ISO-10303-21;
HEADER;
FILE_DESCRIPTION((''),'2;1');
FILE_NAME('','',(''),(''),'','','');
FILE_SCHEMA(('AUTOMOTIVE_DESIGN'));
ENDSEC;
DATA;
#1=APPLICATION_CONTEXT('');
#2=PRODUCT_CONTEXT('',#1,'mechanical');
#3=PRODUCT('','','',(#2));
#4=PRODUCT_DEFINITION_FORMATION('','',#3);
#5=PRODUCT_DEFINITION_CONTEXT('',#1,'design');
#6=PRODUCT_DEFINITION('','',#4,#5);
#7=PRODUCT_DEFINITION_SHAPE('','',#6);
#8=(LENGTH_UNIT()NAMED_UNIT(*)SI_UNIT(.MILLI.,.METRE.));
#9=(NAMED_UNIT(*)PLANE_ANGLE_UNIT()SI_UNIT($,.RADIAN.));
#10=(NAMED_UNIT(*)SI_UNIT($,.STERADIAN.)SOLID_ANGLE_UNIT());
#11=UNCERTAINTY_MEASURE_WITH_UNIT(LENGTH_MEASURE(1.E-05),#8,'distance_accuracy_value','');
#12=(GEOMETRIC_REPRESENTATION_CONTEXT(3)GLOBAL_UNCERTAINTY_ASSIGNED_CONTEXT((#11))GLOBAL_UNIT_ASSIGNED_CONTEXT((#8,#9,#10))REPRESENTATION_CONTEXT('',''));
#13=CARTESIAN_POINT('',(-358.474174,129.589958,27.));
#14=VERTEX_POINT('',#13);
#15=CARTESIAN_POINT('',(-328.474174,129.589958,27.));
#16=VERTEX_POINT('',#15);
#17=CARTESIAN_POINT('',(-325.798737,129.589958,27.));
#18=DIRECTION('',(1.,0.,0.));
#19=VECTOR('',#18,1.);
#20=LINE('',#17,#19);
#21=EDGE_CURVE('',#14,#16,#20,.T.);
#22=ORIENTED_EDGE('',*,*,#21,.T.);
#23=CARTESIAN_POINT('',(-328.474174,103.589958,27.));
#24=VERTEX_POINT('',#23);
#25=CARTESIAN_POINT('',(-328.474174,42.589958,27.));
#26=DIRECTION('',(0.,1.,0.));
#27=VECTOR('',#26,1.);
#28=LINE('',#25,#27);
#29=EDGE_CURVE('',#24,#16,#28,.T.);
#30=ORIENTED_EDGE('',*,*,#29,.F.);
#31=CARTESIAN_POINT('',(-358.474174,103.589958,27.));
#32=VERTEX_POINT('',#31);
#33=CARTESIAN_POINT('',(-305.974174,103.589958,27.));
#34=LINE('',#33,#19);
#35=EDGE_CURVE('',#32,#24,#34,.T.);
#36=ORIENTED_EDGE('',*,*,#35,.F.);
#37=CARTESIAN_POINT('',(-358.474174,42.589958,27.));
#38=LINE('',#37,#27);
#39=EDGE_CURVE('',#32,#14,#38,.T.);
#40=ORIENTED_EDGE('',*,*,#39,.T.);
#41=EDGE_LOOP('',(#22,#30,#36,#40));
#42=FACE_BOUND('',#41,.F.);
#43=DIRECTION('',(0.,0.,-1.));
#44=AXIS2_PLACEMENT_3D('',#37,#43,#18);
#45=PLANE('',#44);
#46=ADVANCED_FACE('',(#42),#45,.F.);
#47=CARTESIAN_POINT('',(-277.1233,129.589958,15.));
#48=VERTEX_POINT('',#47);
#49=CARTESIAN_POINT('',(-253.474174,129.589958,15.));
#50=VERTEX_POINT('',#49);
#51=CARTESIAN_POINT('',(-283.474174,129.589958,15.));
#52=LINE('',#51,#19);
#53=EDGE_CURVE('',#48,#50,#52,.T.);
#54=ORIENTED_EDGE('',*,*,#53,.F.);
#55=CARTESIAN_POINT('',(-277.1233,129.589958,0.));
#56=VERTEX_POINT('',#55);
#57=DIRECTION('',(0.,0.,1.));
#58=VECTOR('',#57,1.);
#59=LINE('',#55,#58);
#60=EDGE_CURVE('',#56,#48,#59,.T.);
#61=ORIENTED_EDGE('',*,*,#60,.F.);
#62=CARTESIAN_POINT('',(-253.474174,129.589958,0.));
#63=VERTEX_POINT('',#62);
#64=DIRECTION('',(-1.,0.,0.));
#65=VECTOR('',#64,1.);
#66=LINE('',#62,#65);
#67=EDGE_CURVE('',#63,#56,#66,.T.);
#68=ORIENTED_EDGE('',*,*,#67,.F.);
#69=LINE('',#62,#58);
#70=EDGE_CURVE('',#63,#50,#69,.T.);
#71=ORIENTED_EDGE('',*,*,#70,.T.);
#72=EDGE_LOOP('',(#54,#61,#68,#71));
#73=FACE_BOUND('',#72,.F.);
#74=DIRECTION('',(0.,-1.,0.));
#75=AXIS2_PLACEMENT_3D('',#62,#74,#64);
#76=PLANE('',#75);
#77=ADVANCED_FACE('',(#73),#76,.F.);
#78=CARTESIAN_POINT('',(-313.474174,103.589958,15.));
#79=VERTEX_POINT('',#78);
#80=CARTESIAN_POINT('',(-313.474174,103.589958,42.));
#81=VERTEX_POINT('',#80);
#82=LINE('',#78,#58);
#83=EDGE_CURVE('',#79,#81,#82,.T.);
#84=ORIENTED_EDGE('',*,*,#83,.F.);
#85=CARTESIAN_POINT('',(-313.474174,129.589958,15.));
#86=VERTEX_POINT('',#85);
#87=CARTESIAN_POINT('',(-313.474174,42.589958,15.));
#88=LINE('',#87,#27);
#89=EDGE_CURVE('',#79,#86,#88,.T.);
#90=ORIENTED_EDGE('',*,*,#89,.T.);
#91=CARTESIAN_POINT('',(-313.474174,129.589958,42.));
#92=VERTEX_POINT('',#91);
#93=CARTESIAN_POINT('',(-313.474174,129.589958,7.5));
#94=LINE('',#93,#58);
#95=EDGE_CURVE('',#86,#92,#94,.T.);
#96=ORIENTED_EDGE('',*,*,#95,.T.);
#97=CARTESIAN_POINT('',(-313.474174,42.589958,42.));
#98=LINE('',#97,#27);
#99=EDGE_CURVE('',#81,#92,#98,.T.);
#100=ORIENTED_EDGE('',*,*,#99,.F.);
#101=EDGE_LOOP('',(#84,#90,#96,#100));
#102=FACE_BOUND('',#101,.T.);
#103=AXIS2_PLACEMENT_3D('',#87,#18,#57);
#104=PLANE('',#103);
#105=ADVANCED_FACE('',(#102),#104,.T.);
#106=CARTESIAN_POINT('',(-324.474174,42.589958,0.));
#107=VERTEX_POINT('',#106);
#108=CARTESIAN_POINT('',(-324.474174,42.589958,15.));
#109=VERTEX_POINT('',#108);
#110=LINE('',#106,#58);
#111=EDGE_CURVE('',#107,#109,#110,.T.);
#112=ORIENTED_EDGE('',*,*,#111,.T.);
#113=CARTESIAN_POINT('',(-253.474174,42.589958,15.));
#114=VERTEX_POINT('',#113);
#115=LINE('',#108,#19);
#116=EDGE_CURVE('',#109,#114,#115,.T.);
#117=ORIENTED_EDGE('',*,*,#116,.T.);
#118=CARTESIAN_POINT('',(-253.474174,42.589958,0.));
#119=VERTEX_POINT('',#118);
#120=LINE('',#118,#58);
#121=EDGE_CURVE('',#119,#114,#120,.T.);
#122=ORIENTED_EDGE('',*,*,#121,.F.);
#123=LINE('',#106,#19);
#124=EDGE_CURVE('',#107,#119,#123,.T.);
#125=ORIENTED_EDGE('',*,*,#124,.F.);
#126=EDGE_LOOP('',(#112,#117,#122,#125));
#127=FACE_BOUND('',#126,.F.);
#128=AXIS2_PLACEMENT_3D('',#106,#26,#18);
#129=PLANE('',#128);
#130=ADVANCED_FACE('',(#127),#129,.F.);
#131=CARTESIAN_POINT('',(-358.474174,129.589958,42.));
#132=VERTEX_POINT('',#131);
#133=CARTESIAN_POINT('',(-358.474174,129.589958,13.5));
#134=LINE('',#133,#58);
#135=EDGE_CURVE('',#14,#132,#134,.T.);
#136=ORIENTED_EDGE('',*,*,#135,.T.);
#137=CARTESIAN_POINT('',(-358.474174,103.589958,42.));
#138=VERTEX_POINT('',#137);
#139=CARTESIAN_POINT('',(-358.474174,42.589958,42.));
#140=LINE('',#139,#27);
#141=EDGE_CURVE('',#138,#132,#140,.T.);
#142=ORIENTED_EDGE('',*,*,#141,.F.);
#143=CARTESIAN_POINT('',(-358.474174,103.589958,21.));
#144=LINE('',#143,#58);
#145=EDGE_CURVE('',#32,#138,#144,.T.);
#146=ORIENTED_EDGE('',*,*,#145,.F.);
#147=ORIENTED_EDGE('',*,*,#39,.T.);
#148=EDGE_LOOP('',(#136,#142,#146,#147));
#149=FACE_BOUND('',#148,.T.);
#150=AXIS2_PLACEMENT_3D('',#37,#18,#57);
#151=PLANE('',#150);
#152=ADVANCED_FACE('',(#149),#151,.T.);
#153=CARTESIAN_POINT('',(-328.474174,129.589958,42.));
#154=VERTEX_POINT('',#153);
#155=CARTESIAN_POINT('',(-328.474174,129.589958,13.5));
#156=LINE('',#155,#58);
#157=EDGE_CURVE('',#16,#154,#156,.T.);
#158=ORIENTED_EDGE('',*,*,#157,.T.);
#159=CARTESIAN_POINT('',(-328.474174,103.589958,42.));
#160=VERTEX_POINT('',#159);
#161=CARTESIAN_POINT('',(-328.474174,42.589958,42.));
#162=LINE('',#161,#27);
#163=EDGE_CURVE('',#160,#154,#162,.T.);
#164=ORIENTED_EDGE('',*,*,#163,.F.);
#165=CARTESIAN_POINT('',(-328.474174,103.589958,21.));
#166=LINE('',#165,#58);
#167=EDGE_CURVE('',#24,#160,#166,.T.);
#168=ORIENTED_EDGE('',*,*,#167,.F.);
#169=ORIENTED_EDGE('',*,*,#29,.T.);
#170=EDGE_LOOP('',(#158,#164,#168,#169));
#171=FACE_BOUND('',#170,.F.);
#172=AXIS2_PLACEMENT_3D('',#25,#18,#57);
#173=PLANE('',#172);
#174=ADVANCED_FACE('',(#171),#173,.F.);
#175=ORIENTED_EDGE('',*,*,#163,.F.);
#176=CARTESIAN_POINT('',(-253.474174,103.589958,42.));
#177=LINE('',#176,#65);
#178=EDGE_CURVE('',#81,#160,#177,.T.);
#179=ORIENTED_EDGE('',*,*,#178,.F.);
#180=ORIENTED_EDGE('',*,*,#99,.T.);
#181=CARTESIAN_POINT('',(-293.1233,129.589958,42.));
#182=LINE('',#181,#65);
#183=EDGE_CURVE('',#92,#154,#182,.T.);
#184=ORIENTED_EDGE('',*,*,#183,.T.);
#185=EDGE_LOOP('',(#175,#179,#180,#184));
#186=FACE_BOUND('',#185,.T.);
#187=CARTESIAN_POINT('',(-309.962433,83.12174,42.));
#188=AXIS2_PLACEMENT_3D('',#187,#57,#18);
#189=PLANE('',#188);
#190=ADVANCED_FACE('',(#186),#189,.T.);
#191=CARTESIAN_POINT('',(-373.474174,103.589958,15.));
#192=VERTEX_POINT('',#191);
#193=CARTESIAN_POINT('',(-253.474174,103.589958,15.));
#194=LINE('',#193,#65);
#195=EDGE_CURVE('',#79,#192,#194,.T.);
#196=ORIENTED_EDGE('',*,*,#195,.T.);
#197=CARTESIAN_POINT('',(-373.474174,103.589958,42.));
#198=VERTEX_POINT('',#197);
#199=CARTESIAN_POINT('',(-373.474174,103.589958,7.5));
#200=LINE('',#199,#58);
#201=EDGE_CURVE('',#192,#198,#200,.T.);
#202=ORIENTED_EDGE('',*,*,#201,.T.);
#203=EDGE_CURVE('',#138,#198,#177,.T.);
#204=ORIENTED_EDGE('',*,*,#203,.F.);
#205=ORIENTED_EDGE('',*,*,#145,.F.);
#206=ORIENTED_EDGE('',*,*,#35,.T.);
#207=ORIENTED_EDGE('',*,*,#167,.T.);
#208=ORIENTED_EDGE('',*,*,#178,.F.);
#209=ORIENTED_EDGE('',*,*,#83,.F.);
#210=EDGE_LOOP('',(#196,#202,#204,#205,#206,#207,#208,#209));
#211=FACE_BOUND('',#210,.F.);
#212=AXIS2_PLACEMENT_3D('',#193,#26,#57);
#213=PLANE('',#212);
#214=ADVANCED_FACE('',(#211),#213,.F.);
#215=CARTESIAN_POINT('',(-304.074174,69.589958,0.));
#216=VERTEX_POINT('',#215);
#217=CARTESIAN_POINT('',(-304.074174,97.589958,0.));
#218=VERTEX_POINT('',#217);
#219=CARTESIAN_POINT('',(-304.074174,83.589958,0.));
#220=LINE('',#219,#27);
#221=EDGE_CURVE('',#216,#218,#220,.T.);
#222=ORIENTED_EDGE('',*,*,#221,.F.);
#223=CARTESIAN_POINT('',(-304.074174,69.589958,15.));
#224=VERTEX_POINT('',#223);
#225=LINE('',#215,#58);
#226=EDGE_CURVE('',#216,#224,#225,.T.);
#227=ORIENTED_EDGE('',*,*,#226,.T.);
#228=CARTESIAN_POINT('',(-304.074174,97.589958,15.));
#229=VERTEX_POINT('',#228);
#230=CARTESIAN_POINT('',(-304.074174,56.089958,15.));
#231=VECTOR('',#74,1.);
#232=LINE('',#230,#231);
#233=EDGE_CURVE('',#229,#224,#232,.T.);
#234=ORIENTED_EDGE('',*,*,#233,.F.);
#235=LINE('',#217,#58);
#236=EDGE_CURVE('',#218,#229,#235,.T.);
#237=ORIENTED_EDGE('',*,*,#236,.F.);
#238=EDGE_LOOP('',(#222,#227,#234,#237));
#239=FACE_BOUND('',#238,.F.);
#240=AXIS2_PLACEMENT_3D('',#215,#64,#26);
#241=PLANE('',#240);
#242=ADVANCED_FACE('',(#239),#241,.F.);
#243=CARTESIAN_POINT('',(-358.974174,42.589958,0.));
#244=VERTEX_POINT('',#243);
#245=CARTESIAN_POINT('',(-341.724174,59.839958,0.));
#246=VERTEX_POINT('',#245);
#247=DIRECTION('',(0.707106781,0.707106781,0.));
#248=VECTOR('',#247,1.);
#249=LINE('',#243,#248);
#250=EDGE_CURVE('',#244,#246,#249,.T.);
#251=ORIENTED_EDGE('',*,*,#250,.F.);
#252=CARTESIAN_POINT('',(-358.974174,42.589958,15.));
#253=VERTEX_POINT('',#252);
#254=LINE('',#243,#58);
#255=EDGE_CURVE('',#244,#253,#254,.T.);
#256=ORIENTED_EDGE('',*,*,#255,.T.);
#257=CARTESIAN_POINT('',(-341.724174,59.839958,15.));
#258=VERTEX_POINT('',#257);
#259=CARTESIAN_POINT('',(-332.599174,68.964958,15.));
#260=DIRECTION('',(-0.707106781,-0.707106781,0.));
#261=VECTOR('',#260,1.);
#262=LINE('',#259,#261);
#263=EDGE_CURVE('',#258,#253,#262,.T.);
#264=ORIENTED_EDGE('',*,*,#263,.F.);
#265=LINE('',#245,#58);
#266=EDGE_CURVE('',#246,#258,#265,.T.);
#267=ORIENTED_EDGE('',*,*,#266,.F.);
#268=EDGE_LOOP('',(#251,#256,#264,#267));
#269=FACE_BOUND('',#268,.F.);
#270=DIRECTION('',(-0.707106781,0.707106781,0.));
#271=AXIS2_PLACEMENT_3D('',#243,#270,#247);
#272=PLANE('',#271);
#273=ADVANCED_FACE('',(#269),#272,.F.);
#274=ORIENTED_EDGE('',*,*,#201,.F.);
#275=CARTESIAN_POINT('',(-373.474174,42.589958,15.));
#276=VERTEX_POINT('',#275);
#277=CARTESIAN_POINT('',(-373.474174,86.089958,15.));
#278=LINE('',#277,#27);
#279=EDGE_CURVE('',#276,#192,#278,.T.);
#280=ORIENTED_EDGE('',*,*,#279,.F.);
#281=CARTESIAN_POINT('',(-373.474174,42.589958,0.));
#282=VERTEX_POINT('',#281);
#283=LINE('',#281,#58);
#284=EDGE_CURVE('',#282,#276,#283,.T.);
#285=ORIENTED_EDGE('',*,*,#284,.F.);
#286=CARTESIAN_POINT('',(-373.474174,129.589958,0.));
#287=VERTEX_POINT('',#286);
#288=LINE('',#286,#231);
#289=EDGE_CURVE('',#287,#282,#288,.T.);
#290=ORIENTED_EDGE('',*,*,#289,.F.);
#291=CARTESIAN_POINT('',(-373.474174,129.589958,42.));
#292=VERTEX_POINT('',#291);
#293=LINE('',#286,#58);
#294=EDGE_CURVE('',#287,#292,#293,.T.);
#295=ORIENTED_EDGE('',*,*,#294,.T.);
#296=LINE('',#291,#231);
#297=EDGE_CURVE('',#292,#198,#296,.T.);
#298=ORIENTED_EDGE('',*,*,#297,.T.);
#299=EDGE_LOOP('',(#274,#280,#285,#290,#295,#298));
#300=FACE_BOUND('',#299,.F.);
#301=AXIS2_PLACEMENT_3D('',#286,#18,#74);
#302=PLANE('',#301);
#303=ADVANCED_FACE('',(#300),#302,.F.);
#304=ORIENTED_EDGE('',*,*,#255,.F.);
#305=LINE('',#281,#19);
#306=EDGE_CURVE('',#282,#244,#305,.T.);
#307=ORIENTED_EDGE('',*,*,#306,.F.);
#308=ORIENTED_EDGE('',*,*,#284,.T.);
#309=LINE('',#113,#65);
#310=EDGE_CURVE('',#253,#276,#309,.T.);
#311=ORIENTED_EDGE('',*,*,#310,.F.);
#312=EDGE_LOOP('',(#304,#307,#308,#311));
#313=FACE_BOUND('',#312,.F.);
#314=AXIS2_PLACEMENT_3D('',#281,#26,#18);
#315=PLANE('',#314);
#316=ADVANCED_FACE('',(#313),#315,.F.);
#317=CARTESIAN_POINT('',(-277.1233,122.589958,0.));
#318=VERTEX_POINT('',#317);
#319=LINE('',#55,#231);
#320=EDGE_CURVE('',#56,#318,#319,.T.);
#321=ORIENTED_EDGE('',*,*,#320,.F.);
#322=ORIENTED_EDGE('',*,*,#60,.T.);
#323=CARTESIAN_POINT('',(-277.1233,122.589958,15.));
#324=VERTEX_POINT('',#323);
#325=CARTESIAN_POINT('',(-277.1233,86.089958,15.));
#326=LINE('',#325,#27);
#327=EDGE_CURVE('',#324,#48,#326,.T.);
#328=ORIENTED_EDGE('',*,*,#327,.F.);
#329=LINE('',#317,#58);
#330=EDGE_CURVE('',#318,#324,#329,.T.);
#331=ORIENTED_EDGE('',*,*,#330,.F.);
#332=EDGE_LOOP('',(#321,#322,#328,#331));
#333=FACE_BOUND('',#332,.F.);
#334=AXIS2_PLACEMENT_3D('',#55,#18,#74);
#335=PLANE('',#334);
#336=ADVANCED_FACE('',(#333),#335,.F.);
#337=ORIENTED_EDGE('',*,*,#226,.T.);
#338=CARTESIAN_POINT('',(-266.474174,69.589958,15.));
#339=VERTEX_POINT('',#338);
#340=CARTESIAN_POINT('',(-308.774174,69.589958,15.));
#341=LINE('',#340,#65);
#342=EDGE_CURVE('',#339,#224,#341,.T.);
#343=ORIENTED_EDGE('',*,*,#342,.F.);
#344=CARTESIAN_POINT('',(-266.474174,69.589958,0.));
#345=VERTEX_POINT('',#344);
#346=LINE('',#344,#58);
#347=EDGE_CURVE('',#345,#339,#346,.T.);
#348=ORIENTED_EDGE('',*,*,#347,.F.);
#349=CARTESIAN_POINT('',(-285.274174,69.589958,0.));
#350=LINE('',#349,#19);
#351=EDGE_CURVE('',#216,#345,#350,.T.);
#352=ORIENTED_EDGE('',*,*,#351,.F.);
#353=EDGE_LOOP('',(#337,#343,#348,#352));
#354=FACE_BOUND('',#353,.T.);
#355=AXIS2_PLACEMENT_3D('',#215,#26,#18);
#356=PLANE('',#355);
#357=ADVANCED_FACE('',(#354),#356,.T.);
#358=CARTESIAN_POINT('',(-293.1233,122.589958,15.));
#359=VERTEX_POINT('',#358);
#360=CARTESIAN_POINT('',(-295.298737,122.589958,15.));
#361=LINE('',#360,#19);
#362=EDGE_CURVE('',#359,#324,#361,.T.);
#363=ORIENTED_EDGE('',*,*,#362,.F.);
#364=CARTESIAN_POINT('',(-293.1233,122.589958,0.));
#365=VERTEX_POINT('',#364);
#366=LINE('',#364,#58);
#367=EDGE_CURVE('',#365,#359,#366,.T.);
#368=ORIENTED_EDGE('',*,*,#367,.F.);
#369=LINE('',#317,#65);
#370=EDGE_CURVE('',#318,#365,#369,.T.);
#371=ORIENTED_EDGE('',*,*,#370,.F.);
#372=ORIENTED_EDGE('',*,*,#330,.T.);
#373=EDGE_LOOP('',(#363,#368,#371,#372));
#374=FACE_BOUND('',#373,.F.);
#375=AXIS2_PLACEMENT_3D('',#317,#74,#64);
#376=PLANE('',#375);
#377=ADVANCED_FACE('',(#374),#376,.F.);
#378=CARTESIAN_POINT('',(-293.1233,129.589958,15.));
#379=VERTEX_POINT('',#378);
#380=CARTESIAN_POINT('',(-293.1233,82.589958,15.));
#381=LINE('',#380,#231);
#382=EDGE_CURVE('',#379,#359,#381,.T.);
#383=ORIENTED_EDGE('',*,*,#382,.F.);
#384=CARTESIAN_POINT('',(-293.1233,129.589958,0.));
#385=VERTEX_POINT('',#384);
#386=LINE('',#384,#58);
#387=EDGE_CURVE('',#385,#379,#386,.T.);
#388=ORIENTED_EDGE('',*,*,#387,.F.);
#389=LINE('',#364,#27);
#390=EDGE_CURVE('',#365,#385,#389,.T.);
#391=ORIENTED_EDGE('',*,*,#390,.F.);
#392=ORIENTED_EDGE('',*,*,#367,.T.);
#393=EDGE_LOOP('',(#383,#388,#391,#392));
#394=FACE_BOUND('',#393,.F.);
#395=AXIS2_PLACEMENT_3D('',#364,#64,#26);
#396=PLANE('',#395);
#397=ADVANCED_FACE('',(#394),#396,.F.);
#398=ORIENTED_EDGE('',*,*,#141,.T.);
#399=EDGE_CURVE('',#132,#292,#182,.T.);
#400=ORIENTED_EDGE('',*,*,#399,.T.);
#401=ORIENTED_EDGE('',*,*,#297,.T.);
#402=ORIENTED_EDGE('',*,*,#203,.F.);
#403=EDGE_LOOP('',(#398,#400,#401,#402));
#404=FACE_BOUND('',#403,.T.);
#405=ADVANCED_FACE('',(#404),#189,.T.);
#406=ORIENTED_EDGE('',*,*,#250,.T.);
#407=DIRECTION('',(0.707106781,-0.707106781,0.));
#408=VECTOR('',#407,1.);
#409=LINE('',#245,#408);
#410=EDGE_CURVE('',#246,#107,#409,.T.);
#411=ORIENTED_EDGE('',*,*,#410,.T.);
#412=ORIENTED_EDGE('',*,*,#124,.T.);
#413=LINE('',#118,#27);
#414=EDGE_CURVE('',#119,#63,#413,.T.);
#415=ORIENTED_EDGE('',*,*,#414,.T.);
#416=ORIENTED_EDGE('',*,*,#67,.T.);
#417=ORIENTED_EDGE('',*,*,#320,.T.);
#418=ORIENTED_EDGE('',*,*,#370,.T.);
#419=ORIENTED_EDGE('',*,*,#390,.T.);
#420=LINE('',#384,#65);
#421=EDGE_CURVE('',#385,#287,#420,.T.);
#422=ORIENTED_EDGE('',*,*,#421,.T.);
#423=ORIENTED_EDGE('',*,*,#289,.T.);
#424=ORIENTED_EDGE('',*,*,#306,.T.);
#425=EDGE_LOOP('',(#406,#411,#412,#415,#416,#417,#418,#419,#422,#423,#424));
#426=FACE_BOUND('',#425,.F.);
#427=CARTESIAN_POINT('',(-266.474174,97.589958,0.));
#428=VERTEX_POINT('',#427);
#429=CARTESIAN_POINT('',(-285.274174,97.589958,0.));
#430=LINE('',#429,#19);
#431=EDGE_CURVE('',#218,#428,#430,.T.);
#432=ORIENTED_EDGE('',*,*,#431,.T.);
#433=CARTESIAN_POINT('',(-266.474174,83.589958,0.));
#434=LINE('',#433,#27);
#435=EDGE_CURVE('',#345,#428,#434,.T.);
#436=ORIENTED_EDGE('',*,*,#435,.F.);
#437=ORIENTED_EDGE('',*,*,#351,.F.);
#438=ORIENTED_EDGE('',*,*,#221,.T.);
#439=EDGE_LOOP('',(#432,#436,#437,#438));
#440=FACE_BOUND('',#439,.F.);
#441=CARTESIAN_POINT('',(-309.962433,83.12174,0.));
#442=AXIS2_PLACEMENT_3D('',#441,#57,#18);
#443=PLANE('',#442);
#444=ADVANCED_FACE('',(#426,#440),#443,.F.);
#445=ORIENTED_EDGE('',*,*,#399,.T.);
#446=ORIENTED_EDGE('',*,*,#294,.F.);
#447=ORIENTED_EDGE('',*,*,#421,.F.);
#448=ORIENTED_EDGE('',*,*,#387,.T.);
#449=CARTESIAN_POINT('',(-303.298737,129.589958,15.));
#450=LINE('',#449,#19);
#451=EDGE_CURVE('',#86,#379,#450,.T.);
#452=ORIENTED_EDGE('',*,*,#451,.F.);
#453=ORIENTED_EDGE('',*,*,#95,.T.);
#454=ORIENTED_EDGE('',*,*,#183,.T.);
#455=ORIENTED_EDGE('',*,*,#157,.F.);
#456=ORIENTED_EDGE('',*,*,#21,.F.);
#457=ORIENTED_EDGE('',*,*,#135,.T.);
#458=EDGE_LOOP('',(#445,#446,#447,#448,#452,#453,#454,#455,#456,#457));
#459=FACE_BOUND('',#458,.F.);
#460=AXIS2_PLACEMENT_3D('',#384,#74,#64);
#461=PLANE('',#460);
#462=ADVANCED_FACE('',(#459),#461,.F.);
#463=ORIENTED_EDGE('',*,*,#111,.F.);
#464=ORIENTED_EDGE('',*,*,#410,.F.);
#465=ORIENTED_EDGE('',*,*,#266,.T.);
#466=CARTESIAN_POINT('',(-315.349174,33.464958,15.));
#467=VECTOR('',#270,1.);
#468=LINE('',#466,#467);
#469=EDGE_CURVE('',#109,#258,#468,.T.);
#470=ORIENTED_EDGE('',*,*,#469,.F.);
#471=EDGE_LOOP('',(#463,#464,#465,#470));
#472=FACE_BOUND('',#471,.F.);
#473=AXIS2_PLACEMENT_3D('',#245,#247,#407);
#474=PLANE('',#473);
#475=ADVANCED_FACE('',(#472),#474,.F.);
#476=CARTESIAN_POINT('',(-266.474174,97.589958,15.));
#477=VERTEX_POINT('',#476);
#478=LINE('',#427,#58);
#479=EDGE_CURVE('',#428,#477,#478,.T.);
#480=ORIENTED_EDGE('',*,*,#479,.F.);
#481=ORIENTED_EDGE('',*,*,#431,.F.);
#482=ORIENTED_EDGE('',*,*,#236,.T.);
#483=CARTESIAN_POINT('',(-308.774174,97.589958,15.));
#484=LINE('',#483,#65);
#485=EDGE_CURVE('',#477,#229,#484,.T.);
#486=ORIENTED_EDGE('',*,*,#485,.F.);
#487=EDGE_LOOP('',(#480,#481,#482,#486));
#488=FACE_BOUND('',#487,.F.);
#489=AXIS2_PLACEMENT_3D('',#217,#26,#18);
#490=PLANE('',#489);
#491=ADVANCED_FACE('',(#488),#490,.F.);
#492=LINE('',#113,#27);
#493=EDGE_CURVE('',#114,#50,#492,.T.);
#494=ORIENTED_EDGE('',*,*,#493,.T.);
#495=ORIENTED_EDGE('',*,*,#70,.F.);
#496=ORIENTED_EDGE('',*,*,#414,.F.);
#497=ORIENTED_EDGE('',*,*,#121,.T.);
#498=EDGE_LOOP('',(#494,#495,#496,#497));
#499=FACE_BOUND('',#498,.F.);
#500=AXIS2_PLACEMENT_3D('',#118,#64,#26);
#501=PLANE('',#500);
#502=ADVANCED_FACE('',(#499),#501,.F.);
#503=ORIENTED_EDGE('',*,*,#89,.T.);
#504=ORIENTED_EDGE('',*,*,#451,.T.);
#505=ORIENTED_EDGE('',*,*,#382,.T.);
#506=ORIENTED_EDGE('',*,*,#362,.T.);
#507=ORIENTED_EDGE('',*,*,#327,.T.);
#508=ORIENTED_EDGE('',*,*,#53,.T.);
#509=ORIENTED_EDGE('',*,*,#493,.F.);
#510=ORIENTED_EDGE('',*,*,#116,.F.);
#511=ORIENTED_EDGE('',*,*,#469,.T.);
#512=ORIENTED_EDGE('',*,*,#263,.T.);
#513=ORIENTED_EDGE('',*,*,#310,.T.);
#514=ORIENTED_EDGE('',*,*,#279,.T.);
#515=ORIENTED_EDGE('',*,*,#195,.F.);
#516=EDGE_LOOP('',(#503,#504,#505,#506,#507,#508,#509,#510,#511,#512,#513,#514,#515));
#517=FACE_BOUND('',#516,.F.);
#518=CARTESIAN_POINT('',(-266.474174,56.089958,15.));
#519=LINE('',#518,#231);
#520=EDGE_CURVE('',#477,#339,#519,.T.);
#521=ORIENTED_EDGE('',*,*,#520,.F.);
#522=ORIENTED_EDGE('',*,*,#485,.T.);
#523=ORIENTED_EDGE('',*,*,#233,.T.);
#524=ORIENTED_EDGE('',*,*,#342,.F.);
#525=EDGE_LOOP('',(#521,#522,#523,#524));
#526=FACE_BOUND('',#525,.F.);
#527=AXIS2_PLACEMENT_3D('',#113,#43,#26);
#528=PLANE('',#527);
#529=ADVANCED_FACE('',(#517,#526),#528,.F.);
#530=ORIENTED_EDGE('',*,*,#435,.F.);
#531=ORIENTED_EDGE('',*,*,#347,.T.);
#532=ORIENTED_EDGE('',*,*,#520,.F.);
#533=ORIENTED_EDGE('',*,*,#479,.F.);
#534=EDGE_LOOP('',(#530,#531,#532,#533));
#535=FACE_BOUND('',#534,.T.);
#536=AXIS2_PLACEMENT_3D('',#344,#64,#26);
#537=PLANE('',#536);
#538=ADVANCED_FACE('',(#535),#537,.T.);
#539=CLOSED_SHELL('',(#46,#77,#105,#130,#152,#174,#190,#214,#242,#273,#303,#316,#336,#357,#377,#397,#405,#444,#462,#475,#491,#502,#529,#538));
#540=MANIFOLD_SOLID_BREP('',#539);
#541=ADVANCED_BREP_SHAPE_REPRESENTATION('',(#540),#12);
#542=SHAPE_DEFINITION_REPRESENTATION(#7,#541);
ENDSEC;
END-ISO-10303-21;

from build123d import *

# Parameters (mm, degrees)
F0_W     = 37.6
F0_H     = 28
F0_W_2   = 15
F0_H_2   = 26
F0_W_3   = 30
F1_DEPTH = 42
F2_W     = 30
F2_H     = 15
F2_W_2   = 60
F2_H_2   = 27
F3_DEPTH = 87.001
F4_W     = 61
F4_H     = 27
F5_DEPTH = 120.001


with BuildPart() as f1:
    # F0 (on Top) → F1 (new body)
    with BuildSketch(Plane.XY):
        Polygon((-373.474174, 103.589958), (-373.474174, 42.589958), (-358.974174, 42.589958), (-341.724174, 59.839958), (-324.474174, 42.589958), (-253.474174, 42.589958), (-253.474174, 129.589958), (-277.1233, 129.589958), (-277.1233, 122.589958), (-293.1233, 122.589958), (-293.1233, 129.589958), (-313.474174, 129.589958), (-313.474174, 103.589958), (-328.474174, 103.589958), (-358.474174, 103.589958), align=None)
        with Locations((-285.274174, 83.589958)):
            Rectangle(F0_W, F0_H, mode=Mode.SUBTRACT)
        with Locations((-365.974174, 116.589958)):
            Rectangle(F0_W_2, F0_H_2)
        with Locations((-343.474174, 116.589958)):
            Rectangle(F0_W_3, F0_H_2)
        with Locations((-320.974174, 116.589958)):
            Rectangle(F0_W_2, F0_H_2)
    extrude(amount=F1_DEPTH)

    # F2 (on face) → F3 (cut, through all)
    with BuildSketch(Plane.XZ.offset(-42.589958)):
        with Locations((-343.474174, 34.5)):
            Rectangle(F2_W, F2_H)
        with Locations((-283.474174, 28.5)):
            Rectangle(F2_W_2, F2_H_2)
    extrude(amount=-F3_DEPTH, mode=Mode.SUBTRACT)

    # F4 (on face) → F5 (cut, through all)
    with BuildSketch(Plane.YZ.offset(-253.474174)):
        with Locations((73.089958, 28.5)):
            Rectangle(F4_W, F4_H)
    extrude(amount=-F5_DEPTH, mode=Mode.SUBTRACT)


solid = f1.part
